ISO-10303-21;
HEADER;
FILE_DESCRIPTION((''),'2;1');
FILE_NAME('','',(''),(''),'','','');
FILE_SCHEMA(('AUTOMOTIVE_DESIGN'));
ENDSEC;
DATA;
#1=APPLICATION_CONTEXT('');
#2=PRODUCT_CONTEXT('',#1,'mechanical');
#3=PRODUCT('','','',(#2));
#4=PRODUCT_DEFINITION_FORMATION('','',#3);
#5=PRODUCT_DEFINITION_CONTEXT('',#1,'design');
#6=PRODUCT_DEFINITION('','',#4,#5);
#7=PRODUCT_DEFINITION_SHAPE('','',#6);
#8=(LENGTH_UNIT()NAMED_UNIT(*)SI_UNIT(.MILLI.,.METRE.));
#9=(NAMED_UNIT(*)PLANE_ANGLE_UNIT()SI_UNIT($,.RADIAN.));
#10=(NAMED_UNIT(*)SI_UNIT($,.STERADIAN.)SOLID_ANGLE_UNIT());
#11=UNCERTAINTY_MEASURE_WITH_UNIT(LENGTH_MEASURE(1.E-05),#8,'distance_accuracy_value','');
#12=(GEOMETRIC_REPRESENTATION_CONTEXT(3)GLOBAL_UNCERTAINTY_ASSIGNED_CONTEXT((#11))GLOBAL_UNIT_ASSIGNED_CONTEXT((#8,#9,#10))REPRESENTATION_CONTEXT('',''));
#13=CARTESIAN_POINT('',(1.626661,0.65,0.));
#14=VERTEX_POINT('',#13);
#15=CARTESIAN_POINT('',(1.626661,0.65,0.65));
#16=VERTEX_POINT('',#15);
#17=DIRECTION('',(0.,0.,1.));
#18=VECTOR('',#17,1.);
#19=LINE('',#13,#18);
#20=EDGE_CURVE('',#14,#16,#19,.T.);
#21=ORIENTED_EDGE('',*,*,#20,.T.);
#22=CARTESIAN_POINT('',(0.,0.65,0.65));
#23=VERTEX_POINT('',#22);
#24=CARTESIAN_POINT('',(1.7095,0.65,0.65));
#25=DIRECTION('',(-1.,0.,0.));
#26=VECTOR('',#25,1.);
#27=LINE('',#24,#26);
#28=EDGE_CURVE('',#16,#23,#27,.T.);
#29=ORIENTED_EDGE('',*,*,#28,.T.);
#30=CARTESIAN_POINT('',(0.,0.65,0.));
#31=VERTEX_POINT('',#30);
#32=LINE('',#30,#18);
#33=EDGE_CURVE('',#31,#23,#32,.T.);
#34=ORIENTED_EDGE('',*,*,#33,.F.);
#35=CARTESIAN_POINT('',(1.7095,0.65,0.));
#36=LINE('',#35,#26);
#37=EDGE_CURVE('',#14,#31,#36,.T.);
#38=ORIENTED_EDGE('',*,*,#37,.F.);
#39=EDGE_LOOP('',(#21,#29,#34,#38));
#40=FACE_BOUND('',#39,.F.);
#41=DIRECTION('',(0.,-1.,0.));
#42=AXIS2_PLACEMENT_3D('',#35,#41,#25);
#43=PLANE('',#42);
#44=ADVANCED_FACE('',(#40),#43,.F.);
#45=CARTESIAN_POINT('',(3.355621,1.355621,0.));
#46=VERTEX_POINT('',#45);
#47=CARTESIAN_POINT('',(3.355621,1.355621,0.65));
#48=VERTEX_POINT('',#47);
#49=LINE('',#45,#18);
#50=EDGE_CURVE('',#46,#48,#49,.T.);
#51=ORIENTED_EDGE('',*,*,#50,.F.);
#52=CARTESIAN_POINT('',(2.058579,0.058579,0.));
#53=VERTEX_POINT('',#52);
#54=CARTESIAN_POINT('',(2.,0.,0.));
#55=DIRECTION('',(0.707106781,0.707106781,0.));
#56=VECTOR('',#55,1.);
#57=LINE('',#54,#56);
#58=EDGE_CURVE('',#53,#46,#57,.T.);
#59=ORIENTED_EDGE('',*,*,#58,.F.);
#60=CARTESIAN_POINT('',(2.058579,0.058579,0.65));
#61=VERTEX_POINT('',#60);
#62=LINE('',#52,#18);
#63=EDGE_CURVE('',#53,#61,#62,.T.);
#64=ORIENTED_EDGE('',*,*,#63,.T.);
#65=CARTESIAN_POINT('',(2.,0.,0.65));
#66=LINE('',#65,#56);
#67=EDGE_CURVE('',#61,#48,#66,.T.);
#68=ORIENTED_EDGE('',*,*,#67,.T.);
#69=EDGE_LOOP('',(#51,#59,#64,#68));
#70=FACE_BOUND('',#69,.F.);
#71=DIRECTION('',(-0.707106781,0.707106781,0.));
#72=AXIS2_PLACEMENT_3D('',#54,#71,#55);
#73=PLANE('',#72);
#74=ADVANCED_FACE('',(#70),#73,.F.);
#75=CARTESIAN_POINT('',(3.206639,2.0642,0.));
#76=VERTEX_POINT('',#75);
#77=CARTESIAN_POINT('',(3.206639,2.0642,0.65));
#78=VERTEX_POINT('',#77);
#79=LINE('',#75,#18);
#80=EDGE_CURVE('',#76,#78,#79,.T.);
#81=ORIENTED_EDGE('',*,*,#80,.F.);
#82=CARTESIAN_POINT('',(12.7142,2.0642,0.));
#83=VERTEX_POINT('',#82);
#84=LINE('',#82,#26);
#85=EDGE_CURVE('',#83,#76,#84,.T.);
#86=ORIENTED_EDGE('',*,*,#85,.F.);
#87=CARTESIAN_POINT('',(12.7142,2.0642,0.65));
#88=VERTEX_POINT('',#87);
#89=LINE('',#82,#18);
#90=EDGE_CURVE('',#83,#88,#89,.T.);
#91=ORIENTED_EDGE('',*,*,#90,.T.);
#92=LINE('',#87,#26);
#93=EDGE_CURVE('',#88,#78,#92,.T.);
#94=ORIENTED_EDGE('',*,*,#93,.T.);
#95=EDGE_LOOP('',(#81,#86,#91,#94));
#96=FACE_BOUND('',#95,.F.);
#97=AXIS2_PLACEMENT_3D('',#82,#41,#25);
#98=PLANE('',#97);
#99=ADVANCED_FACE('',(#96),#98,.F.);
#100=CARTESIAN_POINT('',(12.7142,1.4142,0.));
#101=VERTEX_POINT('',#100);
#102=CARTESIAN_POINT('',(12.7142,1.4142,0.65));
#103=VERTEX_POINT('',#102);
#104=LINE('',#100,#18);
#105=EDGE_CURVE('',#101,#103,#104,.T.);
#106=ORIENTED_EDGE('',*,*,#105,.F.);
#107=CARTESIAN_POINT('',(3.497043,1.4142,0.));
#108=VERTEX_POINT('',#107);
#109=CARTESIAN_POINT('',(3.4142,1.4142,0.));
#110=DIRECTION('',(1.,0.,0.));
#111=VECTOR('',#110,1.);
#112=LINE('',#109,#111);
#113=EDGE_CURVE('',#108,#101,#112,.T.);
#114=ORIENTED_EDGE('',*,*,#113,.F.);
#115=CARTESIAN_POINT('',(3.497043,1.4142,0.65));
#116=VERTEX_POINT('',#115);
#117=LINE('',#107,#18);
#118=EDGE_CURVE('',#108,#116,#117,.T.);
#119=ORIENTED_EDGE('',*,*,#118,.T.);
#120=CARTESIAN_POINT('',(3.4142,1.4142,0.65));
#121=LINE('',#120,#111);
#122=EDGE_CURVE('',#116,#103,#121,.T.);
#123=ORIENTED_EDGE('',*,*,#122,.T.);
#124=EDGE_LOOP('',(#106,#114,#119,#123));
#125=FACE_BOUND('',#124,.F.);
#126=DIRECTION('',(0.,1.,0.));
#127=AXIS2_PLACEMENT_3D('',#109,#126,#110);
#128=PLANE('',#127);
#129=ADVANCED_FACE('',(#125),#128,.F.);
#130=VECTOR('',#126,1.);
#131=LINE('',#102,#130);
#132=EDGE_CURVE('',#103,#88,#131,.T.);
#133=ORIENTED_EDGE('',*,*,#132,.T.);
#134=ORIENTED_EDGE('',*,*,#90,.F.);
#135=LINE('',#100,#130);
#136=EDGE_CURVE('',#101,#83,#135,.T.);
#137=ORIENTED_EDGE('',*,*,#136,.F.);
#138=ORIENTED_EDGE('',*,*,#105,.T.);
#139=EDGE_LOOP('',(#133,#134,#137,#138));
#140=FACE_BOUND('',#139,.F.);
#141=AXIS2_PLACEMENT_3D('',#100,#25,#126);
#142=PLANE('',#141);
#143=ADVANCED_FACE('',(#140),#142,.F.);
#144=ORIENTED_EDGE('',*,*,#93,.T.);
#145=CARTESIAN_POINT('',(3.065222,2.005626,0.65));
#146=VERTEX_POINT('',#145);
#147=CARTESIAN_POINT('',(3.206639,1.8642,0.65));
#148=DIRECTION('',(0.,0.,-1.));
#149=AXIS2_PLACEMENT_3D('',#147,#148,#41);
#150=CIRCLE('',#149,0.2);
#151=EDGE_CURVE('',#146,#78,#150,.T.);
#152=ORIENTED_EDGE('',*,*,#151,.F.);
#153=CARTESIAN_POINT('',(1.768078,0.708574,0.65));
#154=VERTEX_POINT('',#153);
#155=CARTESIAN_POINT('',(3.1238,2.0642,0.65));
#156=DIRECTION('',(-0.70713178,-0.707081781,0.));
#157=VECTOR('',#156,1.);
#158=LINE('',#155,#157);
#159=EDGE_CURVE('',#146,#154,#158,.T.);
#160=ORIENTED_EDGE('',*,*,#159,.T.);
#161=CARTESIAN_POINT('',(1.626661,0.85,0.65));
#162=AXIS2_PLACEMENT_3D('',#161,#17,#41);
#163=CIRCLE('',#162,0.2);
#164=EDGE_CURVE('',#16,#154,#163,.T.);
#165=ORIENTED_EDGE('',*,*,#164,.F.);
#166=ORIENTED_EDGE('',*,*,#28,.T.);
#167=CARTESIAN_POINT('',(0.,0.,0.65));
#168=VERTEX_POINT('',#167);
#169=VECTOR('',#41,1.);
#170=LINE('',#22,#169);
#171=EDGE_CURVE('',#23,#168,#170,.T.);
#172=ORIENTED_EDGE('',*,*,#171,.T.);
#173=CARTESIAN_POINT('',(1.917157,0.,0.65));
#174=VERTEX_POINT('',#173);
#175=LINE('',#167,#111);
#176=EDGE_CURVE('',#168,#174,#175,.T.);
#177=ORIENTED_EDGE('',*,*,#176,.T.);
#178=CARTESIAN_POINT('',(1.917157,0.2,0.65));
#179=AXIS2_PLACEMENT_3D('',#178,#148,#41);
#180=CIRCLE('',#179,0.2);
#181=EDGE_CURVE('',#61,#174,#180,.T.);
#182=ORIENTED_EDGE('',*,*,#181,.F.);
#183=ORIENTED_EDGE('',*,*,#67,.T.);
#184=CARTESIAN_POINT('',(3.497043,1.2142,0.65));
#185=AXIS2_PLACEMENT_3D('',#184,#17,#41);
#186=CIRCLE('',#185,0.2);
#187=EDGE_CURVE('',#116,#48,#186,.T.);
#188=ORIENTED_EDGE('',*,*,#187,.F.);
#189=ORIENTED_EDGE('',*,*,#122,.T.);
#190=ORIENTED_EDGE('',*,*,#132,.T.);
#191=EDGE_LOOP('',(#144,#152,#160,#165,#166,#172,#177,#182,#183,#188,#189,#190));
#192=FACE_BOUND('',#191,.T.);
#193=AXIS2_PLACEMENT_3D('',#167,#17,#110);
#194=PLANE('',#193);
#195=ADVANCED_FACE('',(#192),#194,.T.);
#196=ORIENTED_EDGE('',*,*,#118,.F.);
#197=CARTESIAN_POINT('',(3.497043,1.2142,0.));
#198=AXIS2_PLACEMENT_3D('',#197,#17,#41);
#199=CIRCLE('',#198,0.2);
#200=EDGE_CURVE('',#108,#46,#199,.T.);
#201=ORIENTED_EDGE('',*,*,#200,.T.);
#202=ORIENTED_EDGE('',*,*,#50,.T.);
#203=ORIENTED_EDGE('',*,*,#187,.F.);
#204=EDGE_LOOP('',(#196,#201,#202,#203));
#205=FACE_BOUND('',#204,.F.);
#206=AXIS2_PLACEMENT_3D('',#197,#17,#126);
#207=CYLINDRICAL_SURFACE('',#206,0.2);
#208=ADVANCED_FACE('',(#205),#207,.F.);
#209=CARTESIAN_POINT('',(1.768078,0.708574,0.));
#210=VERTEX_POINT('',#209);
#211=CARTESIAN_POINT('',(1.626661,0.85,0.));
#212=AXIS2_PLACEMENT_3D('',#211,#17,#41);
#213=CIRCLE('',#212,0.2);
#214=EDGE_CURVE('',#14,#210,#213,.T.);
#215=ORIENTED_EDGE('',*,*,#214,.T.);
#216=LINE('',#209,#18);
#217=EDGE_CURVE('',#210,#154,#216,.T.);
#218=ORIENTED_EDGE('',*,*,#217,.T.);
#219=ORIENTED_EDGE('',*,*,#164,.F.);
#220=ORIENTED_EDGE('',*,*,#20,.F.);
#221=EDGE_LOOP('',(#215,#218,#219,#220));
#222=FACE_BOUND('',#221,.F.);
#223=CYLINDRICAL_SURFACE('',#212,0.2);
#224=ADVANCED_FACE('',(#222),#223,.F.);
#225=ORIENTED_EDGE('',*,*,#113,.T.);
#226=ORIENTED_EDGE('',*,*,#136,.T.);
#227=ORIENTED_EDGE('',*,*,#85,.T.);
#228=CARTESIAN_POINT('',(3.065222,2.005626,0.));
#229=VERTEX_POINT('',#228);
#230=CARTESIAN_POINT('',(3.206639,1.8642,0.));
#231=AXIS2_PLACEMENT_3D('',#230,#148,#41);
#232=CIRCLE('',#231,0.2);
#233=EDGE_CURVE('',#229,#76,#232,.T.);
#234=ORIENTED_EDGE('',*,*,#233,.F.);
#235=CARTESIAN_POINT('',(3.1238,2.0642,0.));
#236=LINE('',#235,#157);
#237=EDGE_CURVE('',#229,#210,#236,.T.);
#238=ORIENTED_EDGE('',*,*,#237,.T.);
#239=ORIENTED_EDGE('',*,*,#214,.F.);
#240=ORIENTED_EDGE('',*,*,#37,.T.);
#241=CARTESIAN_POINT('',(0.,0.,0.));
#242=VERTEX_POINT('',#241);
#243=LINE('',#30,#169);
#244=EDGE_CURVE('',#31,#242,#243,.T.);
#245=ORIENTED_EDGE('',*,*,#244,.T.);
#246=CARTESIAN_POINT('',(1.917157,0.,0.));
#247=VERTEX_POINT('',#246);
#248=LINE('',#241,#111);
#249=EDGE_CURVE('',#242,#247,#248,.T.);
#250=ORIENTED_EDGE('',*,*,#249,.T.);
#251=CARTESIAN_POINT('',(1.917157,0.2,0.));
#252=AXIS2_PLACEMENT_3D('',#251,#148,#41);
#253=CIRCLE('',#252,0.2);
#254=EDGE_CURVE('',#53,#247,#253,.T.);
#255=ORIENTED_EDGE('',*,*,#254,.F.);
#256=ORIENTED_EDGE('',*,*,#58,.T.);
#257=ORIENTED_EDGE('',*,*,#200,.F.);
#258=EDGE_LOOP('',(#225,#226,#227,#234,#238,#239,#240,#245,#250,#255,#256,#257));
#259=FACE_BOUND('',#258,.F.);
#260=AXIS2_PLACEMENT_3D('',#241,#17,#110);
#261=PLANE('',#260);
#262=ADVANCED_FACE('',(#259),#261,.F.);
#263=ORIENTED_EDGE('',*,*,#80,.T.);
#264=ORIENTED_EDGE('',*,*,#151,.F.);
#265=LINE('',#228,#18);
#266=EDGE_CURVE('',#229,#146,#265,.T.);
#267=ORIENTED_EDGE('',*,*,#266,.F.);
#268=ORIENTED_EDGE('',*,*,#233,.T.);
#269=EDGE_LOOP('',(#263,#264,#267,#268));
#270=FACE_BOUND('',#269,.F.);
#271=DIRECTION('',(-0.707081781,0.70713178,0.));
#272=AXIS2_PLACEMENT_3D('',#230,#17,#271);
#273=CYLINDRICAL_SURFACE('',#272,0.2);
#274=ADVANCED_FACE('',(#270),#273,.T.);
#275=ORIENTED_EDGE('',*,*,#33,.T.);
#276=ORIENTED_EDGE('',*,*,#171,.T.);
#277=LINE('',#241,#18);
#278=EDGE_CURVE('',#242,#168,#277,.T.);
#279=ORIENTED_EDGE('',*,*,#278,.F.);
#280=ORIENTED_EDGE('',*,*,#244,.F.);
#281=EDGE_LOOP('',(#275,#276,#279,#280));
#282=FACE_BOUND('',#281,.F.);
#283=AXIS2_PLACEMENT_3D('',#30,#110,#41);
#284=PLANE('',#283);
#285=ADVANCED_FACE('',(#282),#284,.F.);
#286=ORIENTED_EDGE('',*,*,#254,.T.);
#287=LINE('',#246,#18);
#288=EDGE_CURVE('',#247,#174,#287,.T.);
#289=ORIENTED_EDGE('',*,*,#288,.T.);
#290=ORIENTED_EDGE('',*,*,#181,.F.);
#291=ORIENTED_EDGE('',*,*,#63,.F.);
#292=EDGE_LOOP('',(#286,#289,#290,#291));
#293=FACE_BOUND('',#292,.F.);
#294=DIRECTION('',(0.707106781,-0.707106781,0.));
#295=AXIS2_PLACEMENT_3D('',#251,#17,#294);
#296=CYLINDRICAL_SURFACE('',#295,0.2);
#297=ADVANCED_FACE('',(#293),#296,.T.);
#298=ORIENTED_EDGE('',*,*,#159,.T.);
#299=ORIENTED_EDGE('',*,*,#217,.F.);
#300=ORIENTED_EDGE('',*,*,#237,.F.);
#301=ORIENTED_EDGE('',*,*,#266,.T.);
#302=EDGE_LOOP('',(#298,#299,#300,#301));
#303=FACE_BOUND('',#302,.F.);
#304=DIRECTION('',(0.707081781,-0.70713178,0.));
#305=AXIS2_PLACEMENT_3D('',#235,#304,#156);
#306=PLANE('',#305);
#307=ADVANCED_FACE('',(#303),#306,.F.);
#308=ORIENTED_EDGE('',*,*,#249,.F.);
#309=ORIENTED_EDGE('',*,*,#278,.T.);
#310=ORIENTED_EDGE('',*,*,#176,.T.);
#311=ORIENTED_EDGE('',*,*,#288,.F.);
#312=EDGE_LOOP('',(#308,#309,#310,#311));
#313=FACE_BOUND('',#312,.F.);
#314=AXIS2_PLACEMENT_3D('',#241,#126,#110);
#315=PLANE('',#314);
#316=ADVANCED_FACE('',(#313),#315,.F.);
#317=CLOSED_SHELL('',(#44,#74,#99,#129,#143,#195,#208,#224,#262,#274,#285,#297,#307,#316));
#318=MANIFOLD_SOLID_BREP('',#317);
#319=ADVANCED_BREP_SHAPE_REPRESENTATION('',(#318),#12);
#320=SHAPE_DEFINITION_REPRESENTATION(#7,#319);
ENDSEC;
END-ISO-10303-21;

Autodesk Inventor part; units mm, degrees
ref_plane "YZ Plane" through (0, 0, 0) normal (1, 0, 0) x (0, 1, 0)
ref_plane "XZ Plane" through (0, 0, 0) normal (0, 1, 0) x (-1, 0, 0)
ref_plane "XY Plane" through (0, 0, 0) normal (0, 0, 1) x (1, 0, 0)
sketch "Skizze1" plane through (0, 0, 0) normal (0, 0, 1) x (1, 0, 0)
  line L0 (0, 0) -> (2, 0)
  line L1 (2, 0) -> (3.4142, 1.4142)
  line L2 (3.4142, 1.4142) -> (12.7142, 1.4142)
  line L3 (12.7142, 1.4142) -> (12.7142, 2.0642)
  line L4 (12.7142, 2.0642) -> (3.1238, 2.0642)
  line L5 (3.1238, 2.0642) -> (1.7095, 0.65)
  line L6 (1.7095, 0.65) -> (0, 0.65)
  line L7 (0, 0.65) -> (0, 0)
  dimension "d0" = 2
  dimension "d1" = 2
  dimension "d2" = 9.3
  dimension "d3" = 0.65
  dimension "d4" = 0.65
  dimension "d5" = 135
  dimension "d6" = 0.665
extrude "Extrusion1" add sketch "Skizze1" along normal blind 0.65
fillet "Rundung1" radius 0.2 4 edges at (2, 0, 0.325) (1.7095, 0.65, 0.325) (3.1238, 2.0642, 0.325) (3.4142, 1.4142, 0.325)
equation "\"Biegeradius\" = Stärke"
equation "\"BreiteBiegungsfreistellung\" = Stärke"
equation "\"TiefeBiegungsfreistellung\" = 0.5 * Stärke"
equation "\"GrößeEckenfreistellung\" = 4 * Stärke"
equation "\"MinimalRest\" = 2 * Stärke"
equation "\"Übergangsradius\" = Biegeradius"
equation "\"JacobiRadiusGröße\" = Biegeradius"
equation "\"Abstandsgröße\" = Stärke"
equation "\"Stärke\" = 0.5"
properties part number "Pin"
